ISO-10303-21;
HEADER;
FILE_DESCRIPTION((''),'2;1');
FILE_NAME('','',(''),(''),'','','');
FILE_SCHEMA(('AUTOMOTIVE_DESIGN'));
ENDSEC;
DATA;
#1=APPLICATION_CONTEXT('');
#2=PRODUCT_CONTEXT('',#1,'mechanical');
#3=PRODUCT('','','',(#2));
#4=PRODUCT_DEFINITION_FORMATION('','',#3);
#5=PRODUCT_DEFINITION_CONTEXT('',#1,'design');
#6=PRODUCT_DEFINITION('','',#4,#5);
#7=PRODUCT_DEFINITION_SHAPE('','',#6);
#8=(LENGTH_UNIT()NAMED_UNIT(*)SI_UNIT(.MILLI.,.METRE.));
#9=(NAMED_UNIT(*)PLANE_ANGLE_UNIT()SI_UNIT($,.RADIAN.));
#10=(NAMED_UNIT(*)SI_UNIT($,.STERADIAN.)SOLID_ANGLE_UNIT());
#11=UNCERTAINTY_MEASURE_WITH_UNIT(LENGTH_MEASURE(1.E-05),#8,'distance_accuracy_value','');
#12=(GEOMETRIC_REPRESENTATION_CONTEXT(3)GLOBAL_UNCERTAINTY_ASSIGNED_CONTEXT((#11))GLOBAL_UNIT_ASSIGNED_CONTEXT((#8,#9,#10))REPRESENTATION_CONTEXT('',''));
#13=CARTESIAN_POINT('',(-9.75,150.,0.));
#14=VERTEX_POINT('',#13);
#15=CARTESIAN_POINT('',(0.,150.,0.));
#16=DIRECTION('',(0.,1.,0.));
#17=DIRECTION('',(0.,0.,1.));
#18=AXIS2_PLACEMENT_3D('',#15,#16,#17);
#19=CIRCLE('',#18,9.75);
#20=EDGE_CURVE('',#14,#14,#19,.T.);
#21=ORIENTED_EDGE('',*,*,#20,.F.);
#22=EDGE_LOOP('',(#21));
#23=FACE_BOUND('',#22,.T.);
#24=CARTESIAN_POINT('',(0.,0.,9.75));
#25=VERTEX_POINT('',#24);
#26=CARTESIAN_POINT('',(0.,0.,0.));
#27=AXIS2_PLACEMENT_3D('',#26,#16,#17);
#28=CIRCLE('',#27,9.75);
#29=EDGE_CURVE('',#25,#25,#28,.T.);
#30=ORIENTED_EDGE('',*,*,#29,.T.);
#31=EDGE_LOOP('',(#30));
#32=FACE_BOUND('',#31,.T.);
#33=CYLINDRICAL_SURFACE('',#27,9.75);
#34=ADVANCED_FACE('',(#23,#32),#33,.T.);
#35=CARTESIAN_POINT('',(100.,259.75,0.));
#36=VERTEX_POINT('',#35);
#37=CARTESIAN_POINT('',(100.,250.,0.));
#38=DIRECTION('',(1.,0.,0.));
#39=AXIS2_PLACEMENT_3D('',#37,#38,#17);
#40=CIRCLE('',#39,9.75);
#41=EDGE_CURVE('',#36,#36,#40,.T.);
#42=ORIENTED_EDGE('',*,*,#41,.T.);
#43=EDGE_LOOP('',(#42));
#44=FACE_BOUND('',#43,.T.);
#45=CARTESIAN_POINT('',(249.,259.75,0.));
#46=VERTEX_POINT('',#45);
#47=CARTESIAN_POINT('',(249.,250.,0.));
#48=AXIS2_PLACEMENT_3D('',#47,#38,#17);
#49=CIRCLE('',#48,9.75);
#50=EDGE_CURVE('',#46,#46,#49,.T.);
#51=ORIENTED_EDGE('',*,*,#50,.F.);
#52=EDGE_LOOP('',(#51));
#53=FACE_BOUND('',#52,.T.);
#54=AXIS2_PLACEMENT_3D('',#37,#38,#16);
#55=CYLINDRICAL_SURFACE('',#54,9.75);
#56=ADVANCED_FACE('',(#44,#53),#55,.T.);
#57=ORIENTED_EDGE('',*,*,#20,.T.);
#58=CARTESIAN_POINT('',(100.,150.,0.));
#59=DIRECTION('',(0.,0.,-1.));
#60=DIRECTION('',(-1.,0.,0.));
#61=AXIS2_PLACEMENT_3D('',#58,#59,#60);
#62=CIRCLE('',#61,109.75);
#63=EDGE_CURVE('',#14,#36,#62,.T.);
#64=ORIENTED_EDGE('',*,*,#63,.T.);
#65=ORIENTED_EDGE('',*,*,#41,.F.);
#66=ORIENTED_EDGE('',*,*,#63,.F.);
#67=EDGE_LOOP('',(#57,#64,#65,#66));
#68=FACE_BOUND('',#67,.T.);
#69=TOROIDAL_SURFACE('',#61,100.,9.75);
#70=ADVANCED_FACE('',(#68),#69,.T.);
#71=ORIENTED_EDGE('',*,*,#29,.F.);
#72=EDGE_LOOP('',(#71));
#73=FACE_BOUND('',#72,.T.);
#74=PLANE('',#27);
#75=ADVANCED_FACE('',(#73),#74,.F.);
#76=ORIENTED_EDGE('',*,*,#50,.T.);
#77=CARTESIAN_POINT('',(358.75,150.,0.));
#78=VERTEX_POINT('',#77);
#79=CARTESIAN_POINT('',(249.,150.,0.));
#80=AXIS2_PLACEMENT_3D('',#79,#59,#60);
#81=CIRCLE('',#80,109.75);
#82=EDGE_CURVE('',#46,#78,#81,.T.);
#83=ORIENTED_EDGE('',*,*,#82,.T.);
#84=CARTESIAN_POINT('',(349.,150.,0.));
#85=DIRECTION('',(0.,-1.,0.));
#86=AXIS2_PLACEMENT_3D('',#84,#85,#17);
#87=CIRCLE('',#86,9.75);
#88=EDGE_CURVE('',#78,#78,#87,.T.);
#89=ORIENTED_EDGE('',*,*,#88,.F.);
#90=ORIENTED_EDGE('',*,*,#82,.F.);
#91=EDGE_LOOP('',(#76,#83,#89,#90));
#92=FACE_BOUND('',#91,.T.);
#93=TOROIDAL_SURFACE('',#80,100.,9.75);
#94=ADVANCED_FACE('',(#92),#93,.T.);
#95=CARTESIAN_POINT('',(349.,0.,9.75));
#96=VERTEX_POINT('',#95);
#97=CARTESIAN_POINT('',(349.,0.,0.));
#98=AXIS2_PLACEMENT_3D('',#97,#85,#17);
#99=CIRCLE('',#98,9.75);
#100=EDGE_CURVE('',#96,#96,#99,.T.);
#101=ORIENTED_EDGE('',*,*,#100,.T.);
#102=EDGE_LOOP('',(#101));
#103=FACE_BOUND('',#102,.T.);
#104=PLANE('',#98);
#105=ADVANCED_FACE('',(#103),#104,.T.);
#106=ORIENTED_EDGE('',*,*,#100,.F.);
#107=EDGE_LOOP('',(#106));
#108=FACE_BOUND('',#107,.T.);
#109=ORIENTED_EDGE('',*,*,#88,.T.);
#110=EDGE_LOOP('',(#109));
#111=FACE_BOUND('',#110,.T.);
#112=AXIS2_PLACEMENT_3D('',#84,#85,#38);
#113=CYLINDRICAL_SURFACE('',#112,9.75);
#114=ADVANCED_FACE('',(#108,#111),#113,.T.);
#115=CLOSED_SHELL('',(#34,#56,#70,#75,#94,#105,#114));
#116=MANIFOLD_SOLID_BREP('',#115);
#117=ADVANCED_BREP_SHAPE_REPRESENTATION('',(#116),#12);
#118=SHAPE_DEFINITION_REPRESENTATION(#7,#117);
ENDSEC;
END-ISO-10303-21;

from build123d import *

# Parameters (mm, degrees)
CROQUIS2_R = 9.75


with BuildPart() as part:
    # Barrer1: sweep along a path in Croquis1
    with BuildLine(Plane.XY) as barrer1_path:
        Line((0, 0), (0, 150))
        ThreePointArc((0, 150), (29.289321881, 220.710678119), (100, 250))
        Line((100, 250), (249, 250))
        ThreePointArc((249, 250), (319.710678119, 220.710678119), (349, 150))
        Line((349, 150), (349, 0))
    # Croquis2 → Barrer1 (sweep)
    with BuildSketch(Plane(origin=(0, 0, 0), x_dir=(1, 0, 0), z_dir=(0, 1, 0))):
        Circle(CROQUIS2_R)
    sweep(path=barrer1_path.line)


solid = part.part
